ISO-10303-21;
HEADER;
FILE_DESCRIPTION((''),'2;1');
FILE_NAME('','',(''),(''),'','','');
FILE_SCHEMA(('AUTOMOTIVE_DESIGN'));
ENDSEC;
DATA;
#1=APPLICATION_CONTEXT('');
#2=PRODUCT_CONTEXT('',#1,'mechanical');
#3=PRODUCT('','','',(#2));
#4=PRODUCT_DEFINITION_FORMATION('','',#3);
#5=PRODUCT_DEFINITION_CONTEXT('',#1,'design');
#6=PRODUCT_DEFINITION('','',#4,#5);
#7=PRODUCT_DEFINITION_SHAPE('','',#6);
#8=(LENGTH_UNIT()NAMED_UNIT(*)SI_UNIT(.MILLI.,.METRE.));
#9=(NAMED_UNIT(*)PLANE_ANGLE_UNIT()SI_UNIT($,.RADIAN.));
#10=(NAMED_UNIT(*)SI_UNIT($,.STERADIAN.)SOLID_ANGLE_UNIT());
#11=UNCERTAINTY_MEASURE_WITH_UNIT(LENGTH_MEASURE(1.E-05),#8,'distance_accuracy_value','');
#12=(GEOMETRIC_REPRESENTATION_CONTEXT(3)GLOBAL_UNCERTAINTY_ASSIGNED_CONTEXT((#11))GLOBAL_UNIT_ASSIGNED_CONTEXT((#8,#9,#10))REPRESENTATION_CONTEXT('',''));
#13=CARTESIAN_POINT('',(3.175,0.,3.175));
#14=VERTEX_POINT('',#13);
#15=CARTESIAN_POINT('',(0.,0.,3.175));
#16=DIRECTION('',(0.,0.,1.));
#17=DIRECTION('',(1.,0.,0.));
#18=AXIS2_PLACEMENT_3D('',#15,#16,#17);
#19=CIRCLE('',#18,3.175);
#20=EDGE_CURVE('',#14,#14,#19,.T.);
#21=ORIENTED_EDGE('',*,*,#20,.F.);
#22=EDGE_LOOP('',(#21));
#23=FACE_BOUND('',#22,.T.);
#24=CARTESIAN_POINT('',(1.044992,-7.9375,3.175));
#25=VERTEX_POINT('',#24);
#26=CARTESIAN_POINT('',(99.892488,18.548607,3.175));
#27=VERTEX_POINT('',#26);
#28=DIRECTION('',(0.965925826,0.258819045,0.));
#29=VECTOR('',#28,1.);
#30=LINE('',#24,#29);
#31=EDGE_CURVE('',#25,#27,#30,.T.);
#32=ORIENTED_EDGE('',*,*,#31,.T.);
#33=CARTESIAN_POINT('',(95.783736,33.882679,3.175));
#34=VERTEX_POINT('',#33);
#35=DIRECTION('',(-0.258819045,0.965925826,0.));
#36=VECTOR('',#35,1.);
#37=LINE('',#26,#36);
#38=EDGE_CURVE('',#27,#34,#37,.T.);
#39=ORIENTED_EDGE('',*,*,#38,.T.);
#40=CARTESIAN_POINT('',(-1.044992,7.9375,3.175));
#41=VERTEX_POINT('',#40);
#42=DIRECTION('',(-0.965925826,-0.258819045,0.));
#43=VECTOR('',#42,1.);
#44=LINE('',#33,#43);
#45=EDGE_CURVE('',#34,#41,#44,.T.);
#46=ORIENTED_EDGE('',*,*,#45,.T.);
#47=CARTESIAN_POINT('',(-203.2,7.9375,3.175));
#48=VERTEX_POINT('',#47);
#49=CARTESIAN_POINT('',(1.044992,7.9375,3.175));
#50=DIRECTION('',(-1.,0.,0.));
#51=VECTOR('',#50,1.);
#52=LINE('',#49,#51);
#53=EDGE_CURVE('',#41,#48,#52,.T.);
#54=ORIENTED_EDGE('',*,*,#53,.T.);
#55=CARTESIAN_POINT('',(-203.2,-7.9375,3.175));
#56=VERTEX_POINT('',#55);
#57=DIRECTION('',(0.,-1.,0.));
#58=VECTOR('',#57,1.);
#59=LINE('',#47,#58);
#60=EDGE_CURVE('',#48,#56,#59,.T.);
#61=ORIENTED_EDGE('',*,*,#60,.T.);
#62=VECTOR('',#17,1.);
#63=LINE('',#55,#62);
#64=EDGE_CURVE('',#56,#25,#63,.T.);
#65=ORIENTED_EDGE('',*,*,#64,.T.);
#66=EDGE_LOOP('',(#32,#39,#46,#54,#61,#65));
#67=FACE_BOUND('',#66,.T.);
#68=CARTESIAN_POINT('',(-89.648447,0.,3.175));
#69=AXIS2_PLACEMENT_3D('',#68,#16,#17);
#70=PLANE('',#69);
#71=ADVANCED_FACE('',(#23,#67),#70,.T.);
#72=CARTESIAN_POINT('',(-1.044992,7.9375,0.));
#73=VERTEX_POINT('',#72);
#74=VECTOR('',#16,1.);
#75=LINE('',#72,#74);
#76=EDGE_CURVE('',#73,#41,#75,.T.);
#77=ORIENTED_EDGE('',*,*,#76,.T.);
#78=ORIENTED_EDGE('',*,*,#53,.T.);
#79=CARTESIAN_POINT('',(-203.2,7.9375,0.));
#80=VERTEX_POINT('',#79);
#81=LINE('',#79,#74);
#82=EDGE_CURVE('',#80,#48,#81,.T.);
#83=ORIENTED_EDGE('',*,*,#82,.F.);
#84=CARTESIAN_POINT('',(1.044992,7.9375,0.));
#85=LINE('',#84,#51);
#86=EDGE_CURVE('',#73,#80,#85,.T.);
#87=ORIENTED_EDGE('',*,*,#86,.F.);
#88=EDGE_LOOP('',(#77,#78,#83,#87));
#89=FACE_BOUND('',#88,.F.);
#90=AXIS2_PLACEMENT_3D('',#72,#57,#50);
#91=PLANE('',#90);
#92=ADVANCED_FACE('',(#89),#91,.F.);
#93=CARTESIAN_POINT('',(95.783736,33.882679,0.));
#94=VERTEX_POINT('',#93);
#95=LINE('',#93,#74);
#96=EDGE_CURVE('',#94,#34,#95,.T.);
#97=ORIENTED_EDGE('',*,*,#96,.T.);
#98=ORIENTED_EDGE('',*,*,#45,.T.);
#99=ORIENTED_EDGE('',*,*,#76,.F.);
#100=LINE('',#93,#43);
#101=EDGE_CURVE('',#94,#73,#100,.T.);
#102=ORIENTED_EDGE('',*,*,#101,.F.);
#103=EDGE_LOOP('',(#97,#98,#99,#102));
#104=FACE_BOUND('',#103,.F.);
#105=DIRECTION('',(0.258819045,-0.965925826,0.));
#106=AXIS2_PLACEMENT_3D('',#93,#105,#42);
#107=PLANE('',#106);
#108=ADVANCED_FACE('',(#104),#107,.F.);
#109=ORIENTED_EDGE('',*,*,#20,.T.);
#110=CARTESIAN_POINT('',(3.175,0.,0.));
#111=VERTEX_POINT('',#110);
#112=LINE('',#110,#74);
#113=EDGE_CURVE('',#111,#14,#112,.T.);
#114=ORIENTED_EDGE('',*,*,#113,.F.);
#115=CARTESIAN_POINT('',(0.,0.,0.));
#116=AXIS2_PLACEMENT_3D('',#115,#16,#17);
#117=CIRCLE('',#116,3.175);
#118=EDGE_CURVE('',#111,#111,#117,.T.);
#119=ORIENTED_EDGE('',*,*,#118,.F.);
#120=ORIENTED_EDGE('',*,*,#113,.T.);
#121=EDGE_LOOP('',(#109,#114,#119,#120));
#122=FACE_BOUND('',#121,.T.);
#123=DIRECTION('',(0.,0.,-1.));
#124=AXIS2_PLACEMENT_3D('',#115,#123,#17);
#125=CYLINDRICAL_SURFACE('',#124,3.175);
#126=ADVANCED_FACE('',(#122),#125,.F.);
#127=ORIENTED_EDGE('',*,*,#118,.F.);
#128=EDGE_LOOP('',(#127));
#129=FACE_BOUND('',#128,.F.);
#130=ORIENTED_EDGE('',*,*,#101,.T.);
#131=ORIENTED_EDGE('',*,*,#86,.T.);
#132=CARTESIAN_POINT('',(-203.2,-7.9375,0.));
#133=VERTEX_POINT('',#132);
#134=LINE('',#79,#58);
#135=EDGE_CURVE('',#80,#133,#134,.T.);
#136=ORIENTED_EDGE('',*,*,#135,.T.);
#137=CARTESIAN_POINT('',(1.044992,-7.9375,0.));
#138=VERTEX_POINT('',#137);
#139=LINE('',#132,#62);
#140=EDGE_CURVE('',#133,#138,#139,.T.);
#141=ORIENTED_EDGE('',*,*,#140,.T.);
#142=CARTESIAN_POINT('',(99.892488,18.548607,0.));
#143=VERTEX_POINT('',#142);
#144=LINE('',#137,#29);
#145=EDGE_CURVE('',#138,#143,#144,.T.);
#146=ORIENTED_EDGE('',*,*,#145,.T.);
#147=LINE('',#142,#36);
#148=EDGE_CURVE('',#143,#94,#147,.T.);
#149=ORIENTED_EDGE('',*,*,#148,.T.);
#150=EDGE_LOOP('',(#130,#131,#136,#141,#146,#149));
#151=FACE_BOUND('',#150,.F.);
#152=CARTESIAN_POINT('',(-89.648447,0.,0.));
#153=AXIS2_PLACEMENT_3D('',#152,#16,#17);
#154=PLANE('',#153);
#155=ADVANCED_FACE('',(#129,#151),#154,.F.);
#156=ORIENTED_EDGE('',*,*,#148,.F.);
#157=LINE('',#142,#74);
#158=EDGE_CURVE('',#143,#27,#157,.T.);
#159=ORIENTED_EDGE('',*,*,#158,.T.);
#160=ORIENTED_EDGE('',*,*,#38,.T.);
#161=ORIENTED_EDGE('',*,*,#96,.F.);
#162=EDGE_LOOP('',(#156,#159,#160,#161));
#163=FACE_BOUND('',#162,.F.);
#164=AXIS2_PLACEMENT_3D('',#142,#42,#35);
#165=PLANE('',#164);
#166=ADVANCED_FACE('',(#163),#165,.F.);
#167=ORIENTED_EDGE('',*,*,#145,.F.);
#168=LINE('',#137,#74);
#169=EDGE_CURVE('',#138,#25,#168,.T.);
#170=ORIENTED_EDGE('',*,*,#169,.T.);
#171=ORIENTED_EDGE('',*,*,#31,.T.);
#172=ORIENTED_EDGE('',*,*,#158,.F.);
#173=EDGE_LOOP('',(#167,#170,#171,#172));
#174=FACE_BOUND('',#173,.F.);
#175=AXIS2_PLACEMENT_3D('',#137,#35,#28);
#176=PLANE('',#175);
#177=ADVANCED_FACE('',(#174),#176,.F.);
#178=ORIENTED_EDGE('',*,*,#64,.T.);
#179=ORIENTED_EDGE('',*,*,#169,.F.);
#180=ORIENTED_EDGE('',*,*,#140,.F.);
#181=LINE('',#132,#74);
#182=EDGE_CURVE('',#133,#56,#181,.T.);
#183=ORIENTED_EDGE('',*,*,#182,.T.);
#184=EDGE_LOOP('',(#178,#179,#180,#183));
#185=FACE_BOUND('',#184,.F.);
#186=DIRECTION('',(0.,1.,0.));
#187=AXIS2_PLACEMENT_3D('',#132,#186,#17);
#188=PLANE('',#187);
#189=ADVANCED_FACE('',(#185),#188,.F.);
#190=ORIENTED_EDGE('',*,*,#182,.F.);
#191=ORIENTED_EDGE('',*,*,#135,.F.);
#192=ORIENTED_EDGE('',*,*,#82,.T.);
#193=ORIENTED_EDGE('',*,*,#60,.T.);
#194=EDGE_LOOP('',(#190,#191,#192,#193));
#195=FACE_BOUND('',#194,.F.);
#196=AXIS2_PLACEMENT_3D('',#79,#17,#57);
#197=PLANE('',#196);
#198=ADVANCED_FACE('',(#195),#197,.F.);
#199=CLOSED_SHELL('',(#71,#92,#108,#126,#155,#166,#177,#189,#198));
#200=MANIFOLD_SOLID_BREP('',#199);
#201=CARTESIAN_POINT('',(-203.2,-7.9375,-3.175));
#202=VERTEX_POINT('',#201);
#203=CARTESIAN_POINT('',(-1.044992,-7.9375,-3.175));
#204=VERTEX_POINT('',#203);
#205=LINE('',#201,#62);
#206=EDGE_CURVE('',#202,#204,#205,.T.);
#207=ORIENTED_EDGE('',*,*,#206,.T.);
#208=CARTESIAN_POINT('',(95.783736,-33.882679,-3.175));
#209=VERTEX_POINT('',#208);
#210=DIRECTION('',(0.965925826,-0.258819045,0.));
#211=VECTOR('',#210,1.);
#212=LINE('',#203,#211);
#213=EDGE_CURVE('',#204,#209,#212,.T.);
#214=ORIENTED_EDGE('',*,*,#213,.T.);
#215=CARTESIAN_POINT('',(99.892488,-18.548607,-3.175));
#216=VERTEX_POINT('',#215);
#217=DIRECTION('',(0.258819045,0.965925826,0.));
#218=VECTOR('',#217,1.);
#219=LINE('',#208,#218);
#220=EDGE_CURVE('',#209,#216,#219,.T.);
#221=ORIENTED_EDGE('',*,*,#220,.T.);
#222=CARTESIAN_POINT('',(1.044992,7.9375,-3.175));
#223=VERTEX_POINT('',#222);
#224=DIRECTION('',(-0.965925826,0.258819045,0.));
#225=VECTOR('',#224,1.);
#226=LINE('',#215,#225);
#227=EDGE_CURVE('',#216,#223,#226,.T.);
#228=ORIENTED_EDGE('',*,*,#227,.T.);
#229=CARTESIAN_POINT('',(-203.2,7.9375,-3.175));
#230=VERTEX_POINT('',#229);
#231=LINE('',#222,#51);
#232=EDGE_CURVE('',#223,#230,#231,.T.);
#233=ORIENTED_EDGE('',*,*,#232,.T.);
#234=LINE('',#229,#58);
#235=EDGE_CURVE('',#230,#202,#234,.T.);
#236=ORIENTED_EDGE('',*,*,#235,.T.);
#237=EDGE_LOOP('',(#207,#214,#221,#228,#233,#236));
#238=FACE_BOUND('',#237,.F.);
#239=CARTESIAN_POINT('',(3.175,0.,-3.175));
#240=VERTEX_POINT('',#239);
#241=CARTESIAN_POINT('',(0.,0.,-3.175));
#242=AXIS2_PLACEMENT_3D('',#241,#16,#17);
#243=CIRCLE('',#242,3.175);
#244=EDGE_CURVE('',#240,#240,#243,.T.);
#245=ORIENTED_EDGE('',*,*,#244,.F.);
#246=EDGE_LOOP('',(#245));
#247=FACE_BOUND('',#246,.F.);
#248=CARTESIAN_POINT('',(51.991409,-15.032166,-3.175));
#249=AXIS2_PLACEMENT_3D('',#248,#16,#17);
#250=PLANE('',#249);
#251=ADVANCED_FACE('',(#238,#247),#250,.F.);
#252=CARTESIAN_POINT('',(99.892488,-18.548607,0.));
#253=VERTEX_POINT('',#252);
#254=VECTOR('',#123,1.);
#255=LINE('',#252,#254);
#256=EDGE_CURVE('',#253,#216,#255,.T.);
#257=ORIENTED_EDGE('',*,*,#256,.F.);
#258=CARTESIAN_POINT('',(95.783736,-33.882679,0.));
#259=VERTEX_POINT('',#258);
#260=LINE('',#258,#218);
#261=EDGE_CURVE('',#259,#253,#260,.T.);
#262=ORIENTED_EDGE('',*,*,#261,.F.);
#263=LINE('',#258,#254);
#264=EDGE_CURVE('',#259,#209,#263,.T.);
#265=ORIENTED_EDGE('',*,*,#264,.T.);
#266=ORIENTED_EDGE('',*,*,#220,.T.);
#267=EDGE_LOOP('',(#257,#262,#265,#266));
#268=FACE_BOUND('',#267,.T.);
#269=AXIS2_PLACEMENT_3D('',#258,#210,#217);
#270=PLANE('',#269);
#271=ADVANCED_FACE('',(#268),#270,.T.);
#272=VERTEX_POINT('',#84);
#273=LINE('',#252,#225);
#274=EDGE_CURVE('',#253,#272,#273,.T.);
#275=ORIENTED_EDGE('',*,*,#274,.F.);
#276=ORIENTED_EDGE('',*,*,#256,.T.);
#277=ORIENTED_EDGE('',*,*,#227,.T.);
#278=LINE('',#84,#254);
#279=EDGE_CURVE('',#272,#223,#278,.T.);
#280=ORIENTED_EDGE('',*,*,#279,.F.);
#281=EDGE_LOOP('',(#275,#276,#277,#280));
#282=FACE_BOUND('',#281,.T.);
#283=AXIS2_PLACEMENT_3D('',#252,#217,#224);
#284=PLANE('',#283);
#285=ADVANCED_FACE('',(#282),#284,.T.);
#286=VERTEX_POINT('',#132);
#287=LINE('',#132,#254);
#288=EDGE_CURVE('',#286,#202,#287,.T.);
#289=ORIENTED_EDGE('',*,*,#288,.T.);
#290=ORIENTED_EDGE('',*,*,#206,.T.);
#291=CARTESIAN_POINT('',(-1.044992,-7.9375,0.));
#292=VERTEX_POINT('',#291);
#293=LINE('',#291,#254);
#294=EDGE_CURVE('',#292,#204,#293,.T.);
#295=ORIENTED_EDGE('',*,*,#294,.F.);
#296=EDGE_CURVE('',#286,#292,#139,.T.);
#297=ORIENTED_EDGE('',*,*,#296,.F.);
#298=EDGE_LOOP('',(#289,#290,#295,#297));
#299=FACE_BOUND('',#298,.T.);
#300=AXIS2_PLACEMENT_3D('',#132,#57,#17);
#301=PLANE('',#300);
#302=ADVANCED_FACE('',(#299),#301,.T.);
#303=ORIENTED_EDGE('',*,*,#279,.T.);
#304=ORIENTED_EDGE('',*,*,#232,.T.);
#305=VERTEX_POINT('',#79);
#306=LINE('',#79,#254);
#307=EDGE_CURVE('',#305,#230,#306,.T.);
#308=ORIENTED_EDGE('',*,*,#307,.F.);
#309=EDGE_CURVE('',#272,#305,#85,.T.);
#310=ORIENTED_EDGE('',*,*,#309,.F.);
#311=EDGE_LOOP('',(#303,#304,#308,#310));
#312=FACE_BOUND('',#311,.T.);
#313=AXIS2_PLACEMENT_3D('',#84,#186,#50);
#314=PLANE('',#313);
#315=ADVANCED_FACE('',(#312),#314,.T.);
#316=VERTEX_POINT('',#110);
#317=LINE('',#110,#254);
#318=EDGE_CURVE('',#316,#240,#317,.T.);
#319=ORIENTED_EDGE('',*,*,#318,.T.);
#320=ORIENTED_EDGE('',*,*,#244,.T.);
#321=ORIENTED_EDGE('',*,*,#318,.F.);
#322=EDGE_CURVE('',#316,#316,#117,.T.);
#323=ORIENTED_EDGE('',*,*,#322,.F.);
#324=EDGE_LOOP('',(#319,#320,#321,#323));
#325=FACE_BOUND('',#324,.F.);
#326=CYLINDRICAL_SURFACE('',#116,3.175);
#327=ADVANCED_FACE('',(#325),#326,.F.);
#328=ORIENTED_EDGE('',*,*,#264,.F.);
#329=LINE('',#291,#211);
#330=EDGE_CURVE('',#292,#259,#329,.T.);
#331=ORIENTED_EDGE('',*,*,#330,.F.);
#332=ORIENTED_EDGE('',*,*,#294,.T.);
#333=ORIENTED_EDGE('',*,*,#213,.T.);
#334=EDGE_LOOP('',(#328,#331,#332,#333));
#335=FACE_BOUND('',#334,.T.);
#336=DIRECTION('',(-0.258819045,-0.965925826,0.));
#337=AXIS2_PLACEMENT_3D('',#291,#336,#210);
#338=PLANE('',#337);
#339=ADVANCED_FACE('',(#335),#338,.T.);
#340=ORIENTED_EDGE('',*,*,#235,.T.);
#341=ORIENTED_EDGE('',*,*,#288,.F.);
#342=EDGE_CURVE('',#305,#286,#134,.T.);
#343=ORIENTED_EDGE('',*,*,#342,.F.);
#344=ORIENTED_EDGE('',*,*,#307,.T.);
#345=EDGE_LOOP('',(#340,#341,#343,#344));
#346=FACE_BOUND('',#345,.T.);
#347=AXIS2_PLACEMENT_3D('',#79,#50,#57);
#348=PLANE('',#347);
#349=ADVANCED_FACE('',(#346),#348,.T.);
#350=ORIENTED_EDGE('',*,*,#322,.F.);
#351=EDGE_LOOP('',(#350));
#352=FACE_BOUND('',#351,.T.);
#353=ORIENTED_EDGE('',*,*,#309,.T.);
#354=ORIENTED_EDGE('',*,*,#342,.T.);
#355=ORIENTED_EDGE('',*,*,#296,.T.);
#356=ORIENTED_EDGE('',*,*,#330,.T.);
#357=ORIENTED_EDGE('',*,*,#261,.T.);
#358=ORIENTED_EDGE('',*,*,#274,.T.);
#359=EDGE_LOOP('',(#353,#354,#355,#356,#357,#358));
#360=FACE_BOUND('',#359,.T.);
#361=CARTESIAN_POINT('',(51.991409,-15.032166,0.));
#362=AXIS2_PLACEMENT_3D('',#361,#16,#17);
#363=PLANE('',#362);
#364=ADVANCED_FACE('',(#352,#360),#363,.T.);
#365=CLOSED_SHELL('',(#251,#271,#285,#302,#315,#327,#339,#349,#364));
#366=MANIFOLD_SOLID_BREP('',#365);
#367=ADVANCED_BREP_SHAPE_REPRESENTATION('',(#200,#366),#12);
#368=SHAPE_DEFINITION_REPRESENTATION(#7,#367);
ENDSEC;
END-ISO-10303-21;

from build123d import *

# Parameters (mm, degrees)
F0_R     = 3.175
F1_DEPTH = 3.175
F2_DEPTH = 3.175


with BuildPart() as f1:
    # F0 (on Top) → F1 (new body)
    with BuildSketch(Plane.XY):
        Polygon((-203.2, 7.9375), (-203.2, -7.9375), (-1.0449916996, -7.9375), (1.0449916996, -7.9375), (30.6681449847, 0), (1.0449916996, 7.9375), (-1.0449916996, 7.9375), align=None)
        Circle(F0_R, mode=Mode.SUBTRACT)
        Polygon((95.7837357862, 33.8826793339), (-1.0449916996, 7.9375), (1.0449916996, 7.9375), (30.6681449847, 0), (99.8924881272, 18.5486068416), align=None)
    extrude(amount=F1_DEPTH)


with BuildPart() as f2:
    # F0 (on Top) → F2 (new body)
    with BuildSketch(Plane.XY):
        Polygon((1.0449916996, -7.9375), (-1.0449916996, -7.9375), (95.7837357862, -33.8826793339), (99.8924881272, -18.5486068416), (30.6681449847, 0), align=None)
        Polygon((-203.2, 7.9375), (-203.2, -7.9375), (-1.0449916996, -7.9375), (1.0449916996, -7.9375), (30.6681449847, 0), (1.0449916996, 7.9375), (-1.0449916996, 7.9375), align=None)
        Circle(F0_R, mode=Mode.SUBTRACT)
    extrude(amount=-F2_DEPTH)


solid = Compound([f1.part, f2.part])
